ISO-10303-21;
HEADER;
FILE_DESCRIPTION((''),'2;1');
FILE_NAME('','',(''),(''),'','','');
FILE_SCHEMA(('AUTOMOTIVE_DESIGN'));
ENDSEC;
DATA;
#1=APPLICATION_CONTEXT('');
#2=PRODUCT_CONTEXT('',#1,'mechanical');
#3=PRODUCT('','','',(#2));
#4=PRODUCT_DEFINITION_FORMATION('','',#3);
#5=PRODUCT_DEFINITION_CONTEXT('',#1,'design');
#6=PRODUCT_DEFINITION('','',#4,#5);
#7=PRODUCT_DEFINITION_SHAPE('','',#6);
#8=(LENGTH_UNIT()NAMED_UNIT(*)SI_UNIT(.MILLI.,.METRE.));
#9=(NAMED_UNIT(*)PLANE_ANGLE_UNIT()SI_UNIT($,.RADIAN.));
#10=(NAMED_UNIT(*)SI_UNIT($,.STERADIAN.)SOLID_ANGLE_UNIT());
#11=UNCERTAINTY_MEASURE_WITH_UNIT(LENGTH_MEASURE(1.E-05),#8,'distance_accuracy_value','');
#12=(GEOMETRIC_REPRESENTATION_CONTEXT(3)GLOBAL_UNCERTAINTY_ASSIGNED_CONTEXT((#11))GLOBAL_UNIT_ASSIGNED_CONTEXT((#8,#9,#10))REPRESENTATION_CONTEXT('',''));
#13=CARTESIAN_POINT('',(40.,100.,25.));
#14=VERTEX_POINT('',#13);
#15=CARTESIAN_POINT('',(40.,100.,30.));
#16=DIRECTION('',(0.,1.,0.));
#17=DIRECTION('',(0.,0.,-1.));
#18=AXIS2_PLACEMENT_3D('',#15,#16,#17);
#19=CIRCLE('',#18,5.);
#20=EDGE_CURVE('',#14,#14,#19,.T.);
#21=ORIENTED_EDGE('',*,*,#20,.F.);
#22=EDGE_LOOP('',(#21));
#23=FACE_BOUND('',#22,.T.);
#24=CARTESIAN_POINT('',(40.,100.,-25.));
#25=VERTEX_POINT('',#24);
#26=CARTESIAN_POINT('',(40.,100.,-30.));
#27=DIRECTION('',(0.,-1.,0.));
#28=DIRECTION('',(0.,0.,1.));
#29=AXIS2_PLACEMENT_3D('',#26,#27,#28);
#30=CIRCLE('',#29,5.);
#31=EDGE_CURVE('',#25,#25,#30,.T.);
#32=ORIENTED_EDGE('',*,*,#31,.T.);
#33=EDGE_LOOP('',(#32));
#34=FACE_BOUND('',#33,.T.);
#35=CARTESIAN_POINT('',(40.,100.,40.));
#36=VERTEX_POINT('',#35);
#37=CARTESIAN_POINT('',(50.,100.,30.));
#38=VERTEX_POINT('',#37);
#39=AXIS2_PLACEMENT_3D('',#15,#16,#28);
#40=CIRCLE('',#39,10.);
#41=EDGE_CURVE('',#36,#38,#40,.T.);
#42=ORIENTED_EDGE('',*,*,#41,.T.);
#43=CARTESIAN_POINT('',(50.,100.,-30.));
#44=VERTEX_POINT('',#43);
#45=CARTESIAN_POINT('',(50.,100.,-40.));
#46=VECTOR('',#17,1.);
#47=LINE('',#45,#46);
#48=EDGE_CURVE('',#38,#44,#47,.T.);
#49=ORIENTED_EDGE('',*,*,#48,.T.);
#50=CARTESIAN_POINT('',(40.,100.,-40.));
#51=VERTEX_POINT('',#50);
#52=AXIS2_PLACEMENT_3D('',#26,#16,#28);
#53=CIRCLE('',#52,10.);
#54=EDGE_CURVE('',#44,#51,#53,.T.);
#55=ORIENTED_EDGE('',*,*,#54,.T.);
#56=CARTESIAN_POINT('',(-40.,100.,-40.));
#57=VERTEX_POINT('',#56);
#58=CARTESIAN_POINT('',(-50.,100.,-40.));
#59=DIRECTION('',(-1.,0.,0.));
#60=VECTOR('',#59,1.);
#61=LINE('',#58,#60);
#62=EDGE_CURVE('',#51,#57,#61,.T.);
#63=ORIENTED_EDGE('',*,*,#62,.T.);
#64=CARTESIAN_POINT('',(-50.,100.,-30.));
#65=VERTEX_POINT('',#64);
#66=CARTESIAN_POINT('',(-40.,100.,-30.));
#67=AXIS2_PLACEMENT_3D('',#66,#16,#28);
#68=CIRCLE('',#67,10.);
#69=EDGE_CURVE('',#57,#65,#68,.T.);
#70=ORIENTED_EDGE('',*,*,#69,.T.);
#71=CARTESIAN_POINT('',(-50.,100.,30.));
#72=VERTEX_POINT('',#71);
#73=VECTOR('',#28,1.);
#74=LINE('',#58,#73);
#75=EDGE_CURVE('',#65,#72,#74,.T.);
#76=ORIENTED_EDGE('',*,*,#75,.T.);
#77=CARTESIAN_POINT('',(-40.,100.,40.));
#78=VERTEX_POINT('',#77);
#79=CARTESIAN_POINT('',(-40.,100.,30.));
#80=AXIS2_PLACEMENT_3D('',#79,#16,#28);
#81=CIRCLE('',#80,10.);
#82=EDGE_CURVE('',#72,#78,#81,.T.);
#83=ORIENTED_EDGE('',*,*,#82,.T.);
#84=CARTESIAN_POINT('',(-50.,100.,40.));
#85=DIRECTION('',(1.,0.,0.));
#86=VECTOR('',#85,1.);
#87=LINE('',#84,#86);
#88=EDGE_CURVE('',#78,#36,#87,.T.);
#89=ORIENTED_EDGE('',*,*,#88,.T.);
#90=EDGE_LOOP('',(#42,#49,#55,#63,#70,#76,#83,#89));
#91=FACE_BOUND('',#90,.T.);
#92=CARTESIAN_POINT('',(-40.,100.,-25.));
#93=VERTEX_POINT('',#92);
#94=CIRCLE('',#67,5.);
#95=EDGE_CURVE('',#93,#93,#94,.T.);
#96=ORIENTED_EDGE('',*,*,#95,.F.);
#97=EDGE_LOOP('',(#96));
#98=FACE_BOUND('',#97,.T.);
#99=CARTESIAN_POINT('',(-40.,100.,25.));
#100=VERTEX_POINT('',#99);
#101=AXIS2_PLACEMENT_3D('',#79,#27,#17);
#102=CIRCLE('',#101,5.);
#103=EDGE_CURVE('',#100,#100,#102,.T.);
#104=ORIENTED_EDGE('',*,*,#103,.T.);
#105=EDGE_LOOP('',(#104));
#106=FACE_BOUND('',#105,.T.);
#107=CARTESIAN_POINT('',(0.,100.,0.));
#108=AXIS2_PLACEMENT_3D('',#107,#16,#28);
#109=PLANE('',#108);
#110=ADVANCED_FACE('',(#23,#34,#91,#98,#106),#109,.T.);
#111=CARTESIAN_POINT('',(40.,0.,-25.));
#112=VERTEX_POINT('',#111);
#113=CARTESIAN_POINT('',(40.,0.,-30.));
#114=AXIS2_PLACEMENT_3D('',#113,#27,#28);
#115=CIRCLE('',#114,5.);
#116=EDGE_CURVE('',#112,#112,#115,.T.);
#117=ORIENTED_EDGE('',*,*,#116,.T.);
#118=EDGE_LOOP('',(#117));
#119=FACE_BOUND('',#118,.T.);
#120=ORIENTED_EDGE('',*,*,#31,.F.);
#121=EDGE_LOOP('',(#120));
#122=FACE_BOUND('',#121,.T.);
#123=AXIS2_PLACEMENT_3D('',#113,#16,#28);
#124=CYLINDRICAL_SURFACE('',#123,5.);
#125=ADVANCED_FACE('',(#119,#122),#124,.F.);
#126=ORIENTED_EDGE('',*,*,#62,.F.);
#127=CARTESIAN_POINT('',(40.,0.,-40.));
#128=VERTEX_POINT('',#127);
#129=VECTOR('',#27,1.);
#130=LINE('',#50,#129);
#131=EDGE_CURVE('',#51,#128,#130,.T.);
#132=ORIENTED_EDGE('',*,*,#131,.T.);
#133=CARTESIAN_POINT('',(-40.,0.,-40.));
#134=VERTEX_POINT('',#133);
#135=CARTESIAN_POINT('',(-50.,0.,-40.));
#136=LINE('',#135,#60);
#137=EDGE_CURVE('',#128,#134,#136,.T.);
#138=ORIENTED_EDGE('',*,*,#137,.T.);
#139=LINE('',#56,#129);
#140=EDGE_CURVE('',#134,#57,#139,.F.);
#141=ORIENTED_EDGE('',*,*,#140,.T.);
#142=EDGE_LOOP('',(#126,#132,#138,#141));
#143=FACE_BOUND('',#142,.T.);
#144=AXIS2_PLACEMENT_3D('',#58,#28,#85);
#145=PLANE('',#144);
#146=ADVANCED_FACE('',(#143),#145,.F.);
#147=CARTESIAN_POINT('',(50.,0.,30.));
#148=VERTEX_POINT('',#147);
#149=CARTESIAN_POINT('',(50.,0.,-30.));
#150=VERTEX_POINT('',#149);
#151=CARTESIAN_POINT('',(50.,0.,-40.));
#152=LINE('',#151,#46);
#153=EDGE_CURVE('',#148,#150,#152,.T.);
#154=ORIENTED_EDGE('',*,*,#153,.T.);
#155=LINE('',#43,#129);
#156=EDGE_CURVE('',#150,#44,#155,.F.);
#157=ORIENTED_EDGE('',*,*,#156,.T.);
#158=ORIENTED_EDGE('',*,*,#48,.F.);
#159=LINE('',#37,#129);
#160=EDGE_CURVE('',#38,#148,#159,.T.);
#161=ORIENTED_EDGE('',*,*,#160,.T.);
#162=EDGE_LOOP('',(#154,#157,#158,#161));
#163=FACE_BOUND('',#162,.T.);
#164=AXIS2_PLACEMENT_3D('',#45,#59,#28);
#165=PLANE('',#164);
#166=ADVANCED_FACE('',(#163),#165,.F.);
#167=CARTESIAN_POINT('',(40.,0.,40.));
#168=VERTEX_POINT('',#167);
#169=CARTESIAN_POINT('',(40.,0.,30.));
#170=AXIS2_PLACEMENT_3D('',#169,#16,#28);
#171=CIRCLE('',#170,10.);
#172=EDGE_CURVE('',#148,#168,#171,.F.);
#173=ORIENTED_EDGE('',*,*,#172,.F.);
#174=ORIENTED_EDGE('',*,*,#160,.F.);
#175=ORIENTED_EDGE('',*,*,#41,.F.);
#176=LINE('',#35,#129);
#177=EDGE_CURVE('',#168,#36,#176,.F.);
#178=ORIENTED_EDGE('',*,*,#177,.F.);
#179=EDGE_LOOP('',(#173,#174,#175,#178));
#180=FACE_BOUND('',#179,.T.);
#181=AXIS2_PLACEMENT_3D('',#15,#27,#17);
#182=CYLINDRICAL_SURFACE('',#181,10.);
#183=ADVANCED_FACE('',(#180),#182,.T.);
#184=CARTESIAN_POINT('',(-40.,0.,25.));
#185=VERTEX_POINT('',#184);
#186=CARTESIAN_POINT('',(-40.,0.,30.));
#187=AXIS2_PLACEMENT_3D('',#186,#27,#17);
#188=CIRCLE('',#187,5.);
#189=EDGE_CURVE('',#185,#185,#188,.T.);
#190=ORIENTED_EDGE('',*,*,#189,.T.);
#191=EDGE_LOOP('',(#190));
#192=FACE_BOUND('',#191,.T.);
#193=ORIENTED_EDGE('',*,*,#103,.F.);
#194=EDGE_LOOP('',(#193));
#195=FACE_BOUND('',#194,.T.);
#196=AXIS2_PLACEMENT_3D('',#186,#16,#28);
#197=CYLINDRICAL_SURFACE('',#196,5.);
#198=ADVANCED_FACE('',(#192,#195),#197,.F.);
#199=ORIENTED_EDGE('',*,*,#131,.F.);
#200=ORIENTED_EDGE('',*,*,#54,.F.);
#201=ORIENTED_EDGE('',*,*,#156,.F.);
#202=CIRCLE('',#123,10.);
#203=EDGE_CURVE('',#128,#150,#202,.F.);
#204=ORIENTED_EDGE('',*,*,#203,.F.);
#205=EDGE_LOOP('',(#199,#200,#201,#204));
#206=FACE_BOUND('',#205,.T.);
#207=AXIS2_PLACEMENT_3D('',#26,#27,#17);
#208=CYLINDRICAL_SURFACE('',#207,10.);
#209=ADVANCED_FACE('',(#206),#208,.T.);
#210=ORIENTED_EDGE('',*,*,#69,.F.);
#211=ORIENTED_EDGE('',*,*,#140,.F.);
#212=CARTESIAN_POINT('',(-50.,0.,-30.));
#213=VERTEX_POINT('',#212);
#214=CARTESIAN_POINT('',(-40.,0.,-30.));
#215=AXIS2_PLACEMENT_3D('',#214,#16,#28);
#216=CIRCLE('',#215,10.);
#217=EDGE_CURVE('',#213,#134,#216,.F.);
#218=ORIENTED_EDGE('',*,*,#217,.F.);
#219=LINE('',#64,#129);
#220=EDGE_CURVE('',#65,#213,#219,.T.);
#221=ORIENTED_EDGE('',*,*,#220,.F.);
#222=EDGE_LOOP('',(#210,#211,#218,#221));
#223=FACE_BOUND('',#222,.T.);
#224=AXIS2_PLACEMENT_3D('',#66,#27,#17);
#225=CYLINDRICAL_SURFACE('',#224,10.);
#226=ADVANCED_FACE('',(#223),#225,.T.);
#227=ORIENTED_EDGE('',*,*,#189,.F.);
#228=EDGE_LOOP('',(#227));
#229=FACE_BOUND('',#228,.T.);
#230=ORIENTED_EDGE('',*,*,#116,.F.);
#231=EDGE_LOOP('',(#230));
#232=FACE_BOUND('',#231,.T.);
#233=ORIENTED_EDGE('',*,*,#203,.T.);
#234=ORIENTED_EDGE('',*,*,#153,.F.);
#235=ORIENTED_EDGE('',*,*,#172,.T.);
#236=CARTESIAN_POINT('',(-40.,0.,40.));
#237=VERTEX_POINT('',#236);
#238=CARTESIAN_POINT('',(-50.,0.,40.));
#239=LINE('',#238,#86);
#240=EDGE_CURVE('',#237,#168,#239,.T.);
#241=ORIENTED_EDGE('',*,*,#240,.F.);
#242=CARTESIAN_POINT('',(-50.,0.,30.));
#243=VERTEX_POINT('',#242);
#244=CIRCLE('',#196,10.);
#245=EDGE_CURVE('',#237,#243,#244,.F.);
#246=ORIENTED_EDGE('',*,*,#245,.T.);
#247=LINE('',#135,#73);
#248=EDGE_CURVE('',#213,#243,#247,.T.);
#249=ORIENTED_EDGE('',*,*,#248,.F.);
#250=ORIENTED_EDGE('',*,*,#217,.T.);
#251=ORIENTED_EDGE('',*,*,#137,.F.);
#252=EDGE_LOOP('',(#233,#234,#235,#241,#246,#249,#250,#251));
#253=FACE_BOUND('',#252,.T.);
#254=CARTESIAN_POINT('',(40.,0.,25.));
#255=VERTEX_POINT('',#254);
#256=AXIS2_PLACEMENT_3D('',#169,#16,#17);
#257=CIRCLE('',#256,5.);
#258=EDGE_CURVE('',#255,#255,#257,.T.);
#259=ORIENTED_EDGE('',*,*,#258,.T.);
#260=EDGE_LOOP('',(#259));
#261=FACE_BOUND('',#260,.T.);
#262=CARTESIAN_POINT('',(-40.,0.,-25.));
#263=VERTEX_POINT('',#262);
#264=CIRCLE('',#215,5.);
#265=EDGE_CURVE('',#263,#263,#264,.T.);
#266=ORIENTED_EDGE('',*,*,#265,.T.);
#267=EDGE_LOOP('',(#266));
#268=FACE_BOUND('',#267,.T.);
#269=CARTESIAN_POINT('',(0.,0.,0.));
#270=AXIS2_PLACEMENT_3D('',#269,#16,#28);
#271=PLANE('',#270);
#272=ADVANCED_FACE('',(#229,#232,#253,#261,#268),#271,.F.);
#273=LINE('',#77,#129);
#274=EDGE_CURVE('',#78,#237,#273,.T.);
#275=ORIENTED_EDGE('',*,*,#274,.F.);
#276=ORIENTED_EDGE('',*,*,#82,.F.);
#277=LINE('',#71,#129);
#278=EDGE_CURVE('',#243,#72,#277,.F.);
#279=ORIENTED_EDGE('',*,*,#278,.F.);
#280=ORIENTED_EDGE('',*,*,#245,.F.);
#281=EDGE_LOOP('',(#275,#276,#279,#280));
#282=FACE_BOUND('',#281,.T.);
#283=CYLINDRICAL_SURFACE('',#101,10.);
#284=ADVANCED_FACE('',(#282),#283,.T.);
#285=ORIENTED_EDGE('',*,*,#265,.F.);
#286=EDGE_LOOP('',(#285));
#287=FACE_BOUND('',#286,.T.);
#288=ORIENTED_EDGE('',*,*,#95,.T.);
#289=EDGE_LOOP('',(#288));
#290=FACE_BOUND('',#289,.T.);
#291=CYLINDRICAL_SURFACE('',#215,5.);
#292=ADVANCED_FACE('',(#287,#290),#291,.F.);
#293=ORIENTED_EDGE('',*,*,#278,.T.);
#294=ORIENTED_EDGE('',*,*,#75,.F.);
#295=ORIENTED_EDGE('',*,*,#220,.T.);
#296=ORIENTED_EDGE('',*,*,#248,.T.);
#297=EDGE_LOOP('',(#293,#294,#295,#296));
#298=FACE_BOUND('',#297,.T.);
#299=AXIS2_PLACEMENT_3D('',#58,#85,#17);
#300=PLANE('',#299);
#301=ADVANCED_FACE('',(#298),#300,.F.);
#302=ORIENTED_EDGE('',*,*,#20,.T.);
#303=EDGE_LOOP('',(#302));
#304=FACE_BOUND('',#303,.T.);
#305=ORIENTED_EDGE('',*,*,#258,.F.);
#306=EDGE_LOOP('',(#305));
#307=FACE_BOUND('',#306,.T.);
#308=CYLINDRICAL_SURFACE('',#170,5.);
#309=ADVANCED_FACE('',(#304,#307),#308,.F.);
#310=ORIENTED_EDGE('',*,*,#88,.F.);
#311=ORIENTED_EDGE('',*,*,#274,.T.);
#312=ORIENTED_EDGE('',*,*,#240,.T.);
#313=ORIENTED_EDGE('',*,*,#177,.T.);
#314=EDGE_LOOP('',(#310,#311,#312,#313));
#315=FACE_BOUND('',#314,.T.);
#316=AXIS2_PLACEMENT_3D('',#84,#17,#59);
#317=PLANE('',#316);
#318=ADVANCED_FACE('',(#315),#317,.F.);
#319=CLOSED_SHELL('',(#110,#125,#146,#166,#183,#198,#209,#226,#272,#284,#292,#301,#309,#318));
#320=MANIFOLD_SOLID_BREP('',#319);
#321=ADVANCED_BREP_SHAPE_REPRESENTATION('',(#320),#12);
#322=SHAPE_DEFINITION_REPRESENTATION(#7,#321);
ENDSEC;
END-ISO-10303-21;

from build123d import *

# Parameters (mm, degrees)
CROQUIS1_W                                 = 100
CROQUIS1_H                                 = 80
SALIENTE_EXTRUIR1_DEPTH                    = 100
REDONDEO1_R                                = 10
CROQUIS2_R                                 = 5
CORTAR_EXTRUIR1_DEPTH                      = 119.74342087
SIMETR_A1_AT_THE_SECOND_PLANE_COPY_1_SKE_R = 5
SIMETR_A1_AT_THE_SECOND_PLANE_COPY_1_DEPTH = 119.74342087


with BuildPart() as part:
    # Croquis1 → Saliente-Extruir1 (new body)
    with BuildSketch(Plane(origin=(0, 0, 0), x_dir=(1, 0, 0), z_dir=(0, 1, 0))):
        Rectangle(CROQUIS1_W, CROQUIS1_H)
    extrude(amount=SALIENTE_EXTRUIR1_DEPTH)

    # Redondeo1
    redondeo1_edges = [part.edges().sort_by_distance(p)[0] for p in [
        (-50, 50, -40),
        (50, 50, -40),
        (50, 50, 40),
        (-50, 50, 40),
    ]]
    fillet(redondeo1_edges, radius=REDONDEO1_R)

    # Croquis2 → Cortar-Extruir1 (cut, through all)
    with BuildSketch(Plane(origin=(0, 100, 0), x_dir=(1, 0, 0), z_dir=(0, 1, 0))):
        with Locations(Location((-40, 30, 0), (0, 0, 270))):
            Circle(CROQUIS2_R)
    cortar_extruir1 = extrude(amount=-CORTAR_EXTRUIR1_DEPTH, mode=Mode.SUBTRACT)

    # Simetría1: Cortar-Extruir1 across plane
    add(cortar_extruir1.mirror(Plane.XY), mode=Mode.SUBTRACT)

    # Simetría1 at the second plane: Cortar-Extruir1 across plane
    add(cortar_extruir1.mirror(Plane(origin=(0, 0, 0), x_dir=(0, 0, 1), z_dir=(1, 0, 0))), mode=Mode.SUBTRACT)

    # Simetría1 at the second plane copy 1 ske → Simetría1 at the second plane copy 1 (cut, through all)
    with BuildSketch(Plane(origin=(0, 100, 0), x_dir=(-1, 0, 0), z_dir=(0, 1, 0))):
        with Locations(Location((-40, 30, 0), (0, 0, 270))):
            Circle(SIMETR_A1_AT_THE_SECOND_PLANE_COPY_1_SKE_R)
    extrude(amount=-SIMETR_A1_AT_THE_SECOND_PLANE_COPY_1_DEPTH, mode=Mode.SUBTRACT)


solid = part.part
